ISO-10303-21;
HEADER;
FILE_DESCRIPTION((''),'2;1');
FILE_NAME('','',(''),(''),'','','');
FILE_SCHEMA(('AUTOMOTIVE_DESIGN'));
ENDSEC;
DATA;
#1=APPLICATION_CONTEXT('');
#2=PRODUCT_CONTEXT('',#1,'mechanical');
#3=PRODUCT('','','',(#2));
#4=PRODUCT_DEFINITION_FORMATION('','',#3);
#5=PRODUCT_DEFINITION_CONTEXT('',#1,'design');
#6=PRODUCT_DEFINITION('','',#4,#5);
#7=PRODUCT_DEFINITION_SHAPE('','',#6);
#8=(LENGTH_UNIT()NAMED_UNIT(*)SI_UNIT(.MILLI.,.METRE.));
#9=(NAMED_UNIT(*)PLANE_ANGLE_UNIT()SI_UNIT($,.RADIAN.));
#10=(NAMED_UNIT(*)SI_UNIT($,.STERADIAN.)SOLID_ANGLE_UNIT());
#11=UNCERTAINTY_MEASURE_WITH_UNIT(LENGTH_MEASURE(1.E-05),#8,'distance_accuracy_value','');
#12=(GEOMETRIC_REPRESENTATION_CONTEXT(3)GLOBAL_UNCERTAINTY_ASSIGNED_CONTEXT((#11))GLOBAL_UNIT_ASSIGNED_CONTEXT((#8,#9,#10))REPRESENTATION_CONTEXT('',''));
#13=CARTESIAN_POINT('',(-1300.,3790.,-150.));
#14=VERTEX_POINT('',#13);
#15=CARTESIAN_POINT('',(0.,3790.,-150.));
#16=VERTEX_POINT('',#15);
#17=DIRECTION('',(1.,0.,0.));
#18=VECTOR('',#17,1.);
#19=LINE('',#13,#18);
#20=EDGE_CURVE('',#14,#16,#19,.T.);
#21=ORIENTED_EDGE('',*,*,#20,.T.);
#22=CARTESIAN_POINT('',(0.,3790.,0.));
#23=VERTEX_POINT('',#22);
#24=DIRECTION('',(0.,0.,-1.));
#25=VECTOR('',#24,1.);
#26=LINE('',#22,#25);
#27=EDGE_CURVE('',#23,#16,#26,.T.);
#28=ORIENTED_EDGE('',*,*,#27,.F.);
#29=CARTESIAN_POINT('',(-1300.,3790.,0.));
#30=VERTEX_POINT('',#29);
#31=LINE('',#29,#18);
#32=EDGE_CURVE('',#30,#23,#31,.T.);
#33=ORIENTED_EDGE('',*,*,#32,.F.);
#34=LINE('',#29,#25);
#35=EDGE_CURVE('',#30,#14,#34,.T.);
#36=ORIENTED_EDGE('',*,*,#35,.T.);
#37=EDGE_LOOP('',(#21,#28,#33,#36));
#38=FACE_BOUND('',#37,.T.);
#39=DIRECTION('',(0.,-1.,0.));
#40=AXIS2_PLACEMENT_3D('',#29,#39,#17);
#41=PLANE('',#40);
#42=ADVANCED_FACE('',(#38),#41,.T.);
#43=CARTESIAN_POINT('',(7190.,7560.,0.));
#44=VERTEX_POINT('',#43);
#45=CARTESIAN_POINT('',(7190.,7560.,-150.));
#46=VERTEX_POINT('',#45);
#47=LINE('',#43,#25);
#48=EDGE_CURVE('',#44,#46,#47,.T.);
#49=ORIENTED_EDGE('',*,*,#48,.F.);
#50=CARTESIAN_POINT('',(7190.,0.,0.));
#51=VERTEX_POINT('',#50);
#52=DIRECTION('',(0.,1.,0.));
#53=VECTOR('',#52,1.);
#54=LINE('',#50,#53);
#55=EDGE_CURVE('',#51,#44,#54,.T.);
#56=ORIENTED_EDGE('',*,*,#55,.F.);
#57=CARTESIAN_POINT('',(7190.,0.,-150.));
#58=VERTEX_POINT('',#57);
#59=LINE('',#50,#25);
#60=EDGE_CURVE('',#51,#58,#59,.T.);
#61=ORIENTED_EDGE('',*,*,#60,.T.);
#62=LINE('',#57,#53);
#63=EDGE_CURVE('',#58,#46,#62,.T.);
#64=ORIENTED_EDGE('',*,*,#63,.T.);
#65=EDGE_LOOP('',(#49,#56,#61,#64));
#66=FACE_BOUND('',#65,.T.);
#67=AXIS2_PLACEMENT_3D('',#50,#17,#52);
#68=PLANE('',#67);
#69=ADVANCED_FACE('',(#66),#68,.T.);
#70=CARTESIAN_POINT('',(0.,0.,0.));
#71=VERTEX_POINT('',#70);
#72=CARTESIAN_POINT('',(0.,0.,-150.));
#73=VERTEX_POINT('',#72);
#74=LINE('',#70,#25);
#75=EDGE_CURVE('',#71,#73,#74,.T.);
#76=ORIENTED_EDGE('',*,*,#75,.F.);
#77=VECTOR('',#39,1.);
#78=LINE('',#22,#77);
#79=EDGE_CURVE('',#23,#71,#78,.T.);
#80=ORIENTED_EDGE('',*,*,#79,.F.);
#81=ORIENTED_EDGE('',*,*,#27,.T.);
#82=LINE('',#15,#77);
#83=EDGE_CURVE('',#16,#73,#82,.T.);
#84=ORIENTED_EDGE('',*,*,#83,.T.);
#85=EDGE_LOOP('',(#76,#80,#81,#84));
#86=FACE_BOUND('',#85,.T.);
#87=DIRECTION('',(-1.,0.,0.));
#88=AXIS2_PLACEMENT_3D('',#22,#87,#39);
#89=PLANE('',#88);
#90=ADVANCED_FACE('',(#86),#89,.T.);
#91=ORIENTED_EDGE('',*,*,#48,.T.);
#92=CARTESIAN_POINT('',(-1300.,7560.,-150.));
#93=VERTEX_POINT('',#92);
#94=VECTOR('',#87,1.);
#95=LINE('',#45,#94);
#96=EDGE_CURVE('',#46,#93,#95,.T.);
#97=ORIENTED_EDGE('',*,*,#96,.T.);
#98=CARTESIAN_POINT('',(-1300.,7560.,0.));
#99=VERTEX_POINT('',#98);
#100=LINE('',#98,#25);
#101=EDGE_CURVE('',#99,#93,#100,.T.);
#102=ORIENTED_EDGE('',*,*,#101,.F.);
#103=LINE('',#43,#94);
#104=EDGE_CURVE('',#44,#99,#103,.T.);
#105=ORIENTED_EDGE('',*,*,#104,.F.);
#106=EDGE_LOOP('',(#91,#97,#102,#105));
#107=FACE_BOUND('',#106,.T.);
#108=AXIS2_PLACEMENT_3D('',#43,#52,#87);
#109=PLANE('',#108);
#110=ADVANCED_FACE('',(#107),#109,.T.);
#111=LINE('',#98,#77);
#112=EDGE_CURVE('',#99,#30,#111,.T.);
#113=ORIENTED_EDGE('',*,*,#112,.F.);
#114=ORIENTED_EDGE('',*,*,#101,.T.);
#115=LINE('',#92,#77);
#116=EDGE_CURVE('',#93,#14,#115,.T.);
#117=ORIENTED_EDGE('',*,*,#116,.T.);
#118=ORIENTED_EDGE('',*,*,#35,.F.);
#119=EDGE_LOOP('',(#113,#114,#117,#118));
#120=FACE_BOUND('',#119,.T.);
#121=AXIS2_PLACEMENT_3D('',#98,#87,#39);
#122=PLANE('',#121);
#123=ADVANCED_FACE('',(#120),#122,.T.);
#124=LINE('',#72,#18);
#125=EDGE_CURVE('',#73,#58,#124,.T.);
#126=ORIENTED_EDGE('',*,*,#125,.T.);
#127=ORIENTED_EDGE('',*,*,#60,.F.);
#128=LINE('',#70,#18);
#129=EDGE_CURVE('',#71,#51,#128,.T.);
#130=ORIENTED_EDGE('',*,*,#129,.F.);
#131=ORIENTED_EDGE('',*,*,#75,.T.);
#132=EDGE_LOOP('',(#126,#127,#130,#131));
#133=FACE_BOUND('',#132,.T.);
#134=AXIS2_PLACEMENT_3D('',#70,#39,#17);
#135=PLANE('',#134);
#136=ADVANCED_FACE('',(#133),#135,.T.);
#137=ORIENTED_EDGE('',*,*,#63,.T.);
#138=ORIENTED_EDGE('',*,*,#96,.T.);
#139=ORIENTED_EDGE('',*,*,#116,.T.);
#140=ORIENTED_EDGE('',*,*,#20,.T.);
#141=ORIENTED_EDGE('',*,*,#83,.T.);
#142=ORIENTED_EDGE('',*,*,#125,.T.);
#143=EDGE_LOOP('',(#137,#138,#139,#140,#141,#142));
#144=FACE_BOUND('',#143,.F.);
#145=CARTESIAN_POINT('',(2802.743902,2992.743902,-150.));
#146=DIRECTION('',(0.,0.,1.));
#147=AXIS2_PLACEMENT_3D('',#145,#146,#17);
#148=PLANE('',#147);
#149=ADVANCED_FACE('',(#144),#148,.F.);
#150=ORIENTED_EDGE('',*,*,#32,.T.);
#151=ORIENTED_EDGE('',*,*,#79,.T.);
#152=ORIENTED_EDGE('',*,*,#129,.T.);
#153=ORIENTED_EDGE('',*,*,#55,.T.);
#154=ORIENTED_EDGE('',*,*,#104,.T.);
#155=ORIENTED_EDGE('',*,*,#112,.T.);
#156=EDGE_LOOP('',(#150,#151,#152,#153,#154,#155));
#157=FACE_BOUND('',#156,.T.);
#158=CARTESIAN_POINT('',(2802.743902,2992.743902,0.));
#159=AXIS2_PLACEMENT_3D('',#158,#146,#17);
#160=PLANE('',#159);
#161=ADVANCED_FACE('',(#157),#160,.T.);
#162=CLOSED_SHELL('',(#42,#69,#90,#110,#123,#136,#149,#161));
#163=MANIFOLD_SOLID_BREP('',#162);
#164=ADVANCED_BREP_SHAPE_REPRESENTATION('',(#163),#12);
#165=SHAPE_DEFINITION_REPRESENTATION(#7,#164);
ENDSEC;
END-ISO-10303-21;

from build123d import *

# Parameters (mm, degrees)
F0_W     = 3680
F0_H     = 2480
F1_DEPTH = 150


with BuildPart() as f1:
    # F0 (on Top) → F1 (new body)
    with BuildSketch(Plane.XY):
        Polygon((0, 3790), (0, 0), (7190, 0), (7190, 3790), (3510, 3790), (3510, 6270), (0, 6270), (-1300, 6270), (-1300, 3790), align=None)
        with Locations((5350, 5030)):
            Rectangle(F0_W, F0_H)
        Polygon((3510, 6270), (7190, 6270), (7190, 7560), (-1300, 7560), (-1300, 6270), (0, 6270), align=None)
    extrude(amount=-F1_DEPTH)


solid = f1.part
